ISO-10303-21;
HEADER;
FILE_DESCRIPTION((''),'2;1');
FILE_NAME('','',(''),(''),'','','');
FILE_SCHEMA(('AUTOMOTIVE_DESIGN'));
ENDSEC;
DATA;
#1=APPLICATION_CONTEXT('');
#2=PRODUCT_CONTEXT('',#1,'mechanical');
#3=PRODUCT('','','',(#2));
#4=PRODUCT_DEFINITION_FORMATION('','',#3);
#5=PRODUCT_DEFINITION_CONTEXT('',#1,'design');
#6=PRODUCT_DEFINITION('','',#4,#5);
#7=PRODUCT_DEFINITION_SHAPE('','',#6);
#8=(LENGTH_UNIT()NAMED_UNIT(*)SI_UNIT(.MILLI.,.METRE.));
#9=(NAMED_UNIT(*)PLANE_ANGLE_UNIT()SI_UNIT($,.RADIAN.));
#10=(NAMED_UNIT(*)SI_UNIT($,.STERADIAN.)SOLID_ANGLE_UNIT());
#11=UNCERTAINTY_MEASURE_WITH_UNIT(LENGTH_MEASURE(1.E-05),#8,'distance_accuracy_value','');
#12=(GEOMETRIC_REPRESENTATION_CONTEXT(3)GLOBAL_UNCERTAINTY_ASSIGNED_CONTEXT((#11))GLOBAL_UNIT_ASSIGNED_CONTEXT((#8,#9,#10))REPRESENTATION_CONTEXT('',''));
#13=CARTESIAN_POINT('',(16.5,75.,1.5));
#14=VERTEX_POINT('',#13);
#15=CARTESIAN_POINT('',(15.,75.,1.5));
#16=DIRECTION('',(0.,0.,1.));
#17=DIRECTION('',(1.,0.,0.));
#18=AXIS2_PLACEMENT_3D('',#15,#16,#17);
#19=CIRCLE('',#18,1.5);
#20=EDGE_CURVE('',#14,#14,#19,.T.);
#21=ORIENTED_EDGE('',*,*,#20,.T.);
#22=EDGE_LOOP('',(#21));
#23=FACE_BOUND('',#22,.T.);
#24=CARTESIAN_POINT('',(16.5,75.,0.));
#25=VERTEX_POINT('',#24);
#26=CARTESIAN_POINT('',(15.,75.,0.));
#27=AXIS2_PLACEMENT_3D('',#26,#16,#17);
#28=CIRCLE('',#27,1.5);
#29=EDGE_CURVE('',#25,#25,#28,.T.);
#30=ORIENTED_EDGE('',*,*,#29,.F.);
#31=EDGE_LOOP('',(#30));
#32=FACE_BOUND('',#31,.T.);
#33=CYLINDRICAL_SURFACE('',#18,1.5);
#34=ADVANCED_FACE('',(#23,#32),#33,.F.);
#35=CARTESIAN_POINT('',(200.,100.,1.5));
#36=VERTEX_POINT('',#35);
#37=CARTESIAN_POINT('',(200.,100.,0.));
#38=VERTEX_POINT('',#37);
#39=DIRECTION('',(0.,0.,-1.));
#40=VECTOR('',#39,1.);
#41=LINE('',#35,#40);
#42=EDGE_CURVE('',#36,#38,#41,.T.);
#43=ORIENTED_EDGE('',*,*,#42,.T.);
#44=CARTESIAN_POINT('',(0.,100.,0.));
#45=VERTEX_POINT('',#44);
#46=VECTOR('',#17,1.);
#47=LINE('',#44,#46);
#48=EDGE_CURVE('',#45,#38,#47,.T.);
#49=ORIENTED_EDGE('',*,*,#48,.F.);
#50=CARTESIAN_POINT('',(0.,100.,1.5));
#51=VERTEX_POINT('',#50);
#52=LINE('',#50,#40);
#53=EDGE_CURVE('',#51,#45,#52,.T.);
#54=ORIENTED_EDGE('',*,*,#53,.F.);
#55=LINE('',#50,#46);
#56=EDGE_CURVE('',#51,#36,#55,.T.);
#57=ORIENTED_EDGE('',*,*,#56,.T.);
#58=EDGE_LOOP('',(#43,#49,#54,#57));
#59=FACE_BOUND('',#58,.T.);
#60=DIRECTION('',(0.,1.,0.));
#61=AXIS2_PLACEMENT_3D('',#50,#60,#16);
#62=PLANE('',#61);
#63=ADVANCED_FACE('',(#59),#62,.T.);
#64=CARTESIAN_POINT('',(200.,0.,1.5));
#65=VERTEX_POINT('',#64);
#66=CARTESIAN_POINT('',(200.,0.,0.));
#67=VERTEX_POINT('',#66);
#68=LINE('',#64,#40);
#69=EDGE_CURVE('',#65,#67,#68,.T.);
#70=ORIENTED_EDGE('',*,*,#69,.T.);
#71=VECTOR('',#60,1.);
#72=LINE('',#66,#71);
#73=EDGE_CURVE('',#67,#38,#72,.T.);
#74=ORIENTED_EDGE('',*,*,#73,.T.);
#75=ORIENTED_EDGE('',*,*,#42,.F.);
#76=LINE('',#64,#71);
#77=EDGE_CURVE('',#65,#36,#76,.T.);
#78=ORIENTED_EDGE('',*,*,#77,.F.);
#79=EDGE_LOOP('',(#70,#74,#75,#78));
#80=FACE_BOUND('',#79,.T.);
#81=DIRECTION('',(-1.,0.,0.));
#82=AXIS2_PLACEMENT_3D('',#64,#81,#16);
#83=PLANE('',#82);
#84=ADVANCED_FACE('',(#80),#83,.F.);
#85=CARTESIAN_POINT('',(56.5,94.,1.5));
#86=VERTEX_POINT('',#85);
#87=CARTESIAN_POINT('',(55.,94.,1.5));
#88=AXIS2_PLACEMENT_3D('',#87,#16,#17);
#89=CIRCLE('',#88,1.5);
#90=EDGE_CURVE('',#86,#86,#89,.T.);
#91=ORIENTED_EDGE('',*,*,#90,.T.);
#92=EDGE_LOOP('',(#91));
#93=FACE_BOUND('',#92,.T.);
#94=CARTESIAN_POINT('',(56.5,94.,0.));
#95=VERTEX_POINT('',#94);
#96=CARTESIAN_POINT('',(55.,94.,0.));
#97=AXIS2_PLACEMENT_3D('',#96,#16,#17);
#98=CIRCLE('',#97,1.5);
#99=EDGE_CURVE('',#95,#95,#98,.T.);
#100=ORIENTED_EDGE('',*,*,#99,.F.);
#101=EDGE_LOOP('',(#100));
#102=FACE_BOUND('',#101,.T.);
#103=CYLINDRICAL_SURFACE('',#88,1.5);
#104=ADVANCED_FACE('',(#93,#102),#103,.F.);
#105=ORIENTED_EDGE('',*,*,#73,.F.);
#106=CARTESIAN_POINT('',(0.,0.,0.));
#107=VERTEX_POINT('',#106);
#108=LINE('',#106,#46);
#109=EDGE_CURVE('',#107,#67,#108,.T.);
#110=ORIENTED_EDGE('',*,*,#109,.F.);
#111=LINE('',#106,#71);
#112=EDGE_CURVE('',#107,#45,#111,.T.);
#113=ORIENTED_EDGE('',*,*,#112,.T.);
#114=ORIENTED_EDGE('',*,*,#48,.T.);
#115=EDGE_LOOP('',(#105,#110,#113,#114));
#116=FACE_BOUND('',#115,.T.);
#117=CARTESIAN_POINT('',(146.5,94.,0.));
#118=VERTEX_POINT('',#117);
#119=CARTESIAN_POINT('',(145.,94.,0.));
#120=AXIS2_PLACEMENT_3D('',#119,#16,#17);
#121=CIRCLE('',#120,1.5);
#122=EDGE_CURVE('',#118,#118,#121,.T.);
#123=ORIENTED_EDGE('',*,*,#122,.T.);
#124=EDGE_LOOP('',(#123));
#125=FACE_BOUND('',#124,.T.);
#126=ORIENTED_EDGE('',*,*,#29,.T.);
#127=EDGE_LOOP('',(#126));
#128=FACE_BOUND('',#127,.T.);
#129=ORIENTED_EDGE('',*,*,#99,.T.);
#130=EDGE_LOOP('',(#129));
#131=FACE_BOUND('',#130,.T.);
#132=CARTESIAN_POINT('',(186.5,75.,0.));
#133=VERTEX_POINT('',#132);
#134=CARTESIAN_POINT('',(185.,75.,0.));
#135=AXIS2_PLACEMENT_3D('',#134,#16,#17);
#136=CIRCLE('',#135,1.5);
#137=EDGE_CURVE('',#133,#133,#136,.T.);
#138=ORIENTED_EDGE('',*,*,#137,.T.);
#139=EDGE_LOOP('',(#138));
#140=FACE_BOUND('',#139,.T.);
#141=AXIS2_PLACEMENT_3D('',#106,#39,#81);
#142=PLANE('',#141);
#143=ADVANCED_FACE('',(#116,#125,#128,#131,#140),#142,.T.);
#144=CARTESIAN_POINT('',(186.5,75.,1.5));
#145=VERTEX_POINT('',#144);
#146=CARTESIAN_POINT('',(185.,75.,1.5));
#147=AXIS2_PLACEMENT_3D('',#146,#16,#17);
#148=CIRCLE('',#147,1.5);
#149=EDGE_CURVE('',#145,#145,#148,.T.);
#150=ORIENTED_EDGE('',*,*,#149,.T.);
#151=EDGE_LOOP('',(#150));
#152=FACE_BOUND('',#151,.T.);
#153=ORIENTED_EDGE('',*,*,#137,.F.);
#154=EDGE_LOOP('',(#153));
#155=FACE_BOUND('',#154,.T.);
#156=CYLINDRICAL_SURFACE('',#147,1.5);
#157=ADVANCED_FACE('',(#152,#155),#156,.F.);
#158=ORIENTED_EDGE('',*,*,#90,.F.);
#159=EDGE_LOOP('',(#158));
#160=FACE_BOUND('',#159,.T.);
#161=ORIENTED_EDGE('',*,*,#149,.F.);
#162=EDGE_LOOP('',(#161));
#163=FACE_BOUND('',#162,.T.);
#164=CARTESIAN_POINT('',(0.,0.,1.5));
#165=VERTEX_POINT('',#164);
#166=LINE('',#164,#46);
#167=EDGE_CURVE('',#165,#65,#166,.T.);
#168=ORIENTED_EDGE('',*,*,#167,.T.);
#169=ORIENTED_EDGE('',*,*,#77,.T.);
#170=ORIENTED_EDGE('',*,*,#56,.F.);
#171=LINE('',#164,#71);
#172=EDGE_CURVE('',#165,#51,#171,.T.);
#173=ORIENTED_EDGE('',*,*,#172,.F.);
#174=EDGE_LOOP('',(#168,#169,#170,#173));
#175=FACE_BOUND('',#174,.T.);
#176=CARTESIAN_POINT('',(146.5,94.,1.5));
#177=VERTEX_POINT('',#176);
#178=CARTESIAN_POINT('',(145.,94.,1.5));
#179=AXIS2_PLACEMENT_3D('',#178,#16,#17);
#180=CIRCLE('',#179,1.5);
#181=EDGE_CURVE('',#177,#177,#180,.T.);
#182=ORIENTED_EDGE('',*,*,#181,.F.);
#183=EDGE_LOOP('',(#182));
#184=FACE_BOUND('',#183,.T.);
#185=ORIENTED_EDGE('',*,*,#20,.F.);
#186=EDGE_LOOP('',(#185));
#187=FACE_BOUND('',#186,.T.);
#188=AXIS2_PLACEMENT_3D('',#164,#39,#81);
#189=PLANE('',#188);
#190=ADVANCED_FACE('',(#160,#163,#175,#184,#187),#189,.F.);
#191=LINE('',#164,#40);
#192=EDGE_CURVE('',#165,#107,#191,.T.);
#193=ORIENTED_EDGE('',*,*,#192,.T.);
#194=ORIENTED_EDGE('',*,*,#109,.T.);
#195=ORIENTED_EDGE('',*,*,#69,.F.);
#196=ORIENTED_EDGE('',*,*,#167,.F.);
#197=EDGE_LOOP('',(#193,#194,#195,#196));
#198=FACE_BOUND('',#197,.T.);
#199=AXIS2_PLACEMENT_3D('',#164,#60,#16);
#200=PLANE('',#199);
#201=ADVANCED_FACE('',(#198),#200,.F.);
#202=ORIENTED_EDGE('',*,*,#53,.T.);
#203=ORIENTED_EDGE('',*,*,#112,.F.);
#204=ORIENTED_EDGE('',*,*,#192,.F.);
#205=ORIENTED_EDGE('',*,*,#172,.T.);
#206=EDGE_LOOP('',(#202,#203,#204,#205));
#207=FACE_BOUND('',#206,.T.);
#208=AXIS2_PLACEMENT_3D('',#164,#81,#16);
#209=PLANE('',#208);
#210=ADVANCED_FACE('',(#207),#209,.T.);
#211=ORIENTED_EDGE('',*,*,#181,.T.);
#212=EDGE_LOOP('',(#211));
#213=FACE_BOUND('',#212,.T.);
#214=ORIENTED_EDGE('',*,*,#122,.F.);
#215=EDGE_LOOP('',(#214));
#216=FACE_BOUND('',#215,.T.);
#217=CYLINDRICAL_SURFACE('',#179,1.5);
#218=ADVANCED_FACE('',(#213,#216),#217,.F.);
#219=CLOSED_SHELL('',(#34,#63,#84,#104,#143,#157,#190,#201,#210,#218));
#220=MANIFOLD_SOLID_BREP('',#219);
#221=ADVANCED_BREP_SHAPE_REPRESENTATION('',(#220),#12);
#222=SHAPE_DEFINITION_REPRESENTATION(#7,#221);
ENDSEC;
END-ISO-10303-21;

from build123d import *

# Parameters (mm, degrees)
SKETCH1_W             = 200
SKETCH1_H             = 100
BOSS_EXTRUDE1_DEPTH   = 1.5
F_3_0MM_DOWEL_HOLE2_D = 3
F_3_0MM_DOWEL_HOLE3_D = 3


with BuildPart() as part:
    # Sketch1 → Boss-Extrude1 (new body)
    with BuildSketch(Plane.XY):
        with Locations((100, 50)):
            Rectangle(SKETCH1_W, SKETCH1_H)
    extrude(amount=BOSS_EXTRUDE1_DEPTH)

    # Ø3.0mm Dowel Hole2 (through all)
    with Locations(Plane.XY.offset(1.5)):
        with Locations((15, 75), (185, 75)):
            Hole(F_3_0MM_DOWEL_HOLE2_D / 2)

    # Ø3.0mm Dowel Hole3 (through all)
    with Locations(Plane.XY.offset(1.5)):
        with Locations((55, 94), (145, 94)):
            Hole(F_3_0MM_DOWEL_HOLE3_D / 2)


solid = part.part
